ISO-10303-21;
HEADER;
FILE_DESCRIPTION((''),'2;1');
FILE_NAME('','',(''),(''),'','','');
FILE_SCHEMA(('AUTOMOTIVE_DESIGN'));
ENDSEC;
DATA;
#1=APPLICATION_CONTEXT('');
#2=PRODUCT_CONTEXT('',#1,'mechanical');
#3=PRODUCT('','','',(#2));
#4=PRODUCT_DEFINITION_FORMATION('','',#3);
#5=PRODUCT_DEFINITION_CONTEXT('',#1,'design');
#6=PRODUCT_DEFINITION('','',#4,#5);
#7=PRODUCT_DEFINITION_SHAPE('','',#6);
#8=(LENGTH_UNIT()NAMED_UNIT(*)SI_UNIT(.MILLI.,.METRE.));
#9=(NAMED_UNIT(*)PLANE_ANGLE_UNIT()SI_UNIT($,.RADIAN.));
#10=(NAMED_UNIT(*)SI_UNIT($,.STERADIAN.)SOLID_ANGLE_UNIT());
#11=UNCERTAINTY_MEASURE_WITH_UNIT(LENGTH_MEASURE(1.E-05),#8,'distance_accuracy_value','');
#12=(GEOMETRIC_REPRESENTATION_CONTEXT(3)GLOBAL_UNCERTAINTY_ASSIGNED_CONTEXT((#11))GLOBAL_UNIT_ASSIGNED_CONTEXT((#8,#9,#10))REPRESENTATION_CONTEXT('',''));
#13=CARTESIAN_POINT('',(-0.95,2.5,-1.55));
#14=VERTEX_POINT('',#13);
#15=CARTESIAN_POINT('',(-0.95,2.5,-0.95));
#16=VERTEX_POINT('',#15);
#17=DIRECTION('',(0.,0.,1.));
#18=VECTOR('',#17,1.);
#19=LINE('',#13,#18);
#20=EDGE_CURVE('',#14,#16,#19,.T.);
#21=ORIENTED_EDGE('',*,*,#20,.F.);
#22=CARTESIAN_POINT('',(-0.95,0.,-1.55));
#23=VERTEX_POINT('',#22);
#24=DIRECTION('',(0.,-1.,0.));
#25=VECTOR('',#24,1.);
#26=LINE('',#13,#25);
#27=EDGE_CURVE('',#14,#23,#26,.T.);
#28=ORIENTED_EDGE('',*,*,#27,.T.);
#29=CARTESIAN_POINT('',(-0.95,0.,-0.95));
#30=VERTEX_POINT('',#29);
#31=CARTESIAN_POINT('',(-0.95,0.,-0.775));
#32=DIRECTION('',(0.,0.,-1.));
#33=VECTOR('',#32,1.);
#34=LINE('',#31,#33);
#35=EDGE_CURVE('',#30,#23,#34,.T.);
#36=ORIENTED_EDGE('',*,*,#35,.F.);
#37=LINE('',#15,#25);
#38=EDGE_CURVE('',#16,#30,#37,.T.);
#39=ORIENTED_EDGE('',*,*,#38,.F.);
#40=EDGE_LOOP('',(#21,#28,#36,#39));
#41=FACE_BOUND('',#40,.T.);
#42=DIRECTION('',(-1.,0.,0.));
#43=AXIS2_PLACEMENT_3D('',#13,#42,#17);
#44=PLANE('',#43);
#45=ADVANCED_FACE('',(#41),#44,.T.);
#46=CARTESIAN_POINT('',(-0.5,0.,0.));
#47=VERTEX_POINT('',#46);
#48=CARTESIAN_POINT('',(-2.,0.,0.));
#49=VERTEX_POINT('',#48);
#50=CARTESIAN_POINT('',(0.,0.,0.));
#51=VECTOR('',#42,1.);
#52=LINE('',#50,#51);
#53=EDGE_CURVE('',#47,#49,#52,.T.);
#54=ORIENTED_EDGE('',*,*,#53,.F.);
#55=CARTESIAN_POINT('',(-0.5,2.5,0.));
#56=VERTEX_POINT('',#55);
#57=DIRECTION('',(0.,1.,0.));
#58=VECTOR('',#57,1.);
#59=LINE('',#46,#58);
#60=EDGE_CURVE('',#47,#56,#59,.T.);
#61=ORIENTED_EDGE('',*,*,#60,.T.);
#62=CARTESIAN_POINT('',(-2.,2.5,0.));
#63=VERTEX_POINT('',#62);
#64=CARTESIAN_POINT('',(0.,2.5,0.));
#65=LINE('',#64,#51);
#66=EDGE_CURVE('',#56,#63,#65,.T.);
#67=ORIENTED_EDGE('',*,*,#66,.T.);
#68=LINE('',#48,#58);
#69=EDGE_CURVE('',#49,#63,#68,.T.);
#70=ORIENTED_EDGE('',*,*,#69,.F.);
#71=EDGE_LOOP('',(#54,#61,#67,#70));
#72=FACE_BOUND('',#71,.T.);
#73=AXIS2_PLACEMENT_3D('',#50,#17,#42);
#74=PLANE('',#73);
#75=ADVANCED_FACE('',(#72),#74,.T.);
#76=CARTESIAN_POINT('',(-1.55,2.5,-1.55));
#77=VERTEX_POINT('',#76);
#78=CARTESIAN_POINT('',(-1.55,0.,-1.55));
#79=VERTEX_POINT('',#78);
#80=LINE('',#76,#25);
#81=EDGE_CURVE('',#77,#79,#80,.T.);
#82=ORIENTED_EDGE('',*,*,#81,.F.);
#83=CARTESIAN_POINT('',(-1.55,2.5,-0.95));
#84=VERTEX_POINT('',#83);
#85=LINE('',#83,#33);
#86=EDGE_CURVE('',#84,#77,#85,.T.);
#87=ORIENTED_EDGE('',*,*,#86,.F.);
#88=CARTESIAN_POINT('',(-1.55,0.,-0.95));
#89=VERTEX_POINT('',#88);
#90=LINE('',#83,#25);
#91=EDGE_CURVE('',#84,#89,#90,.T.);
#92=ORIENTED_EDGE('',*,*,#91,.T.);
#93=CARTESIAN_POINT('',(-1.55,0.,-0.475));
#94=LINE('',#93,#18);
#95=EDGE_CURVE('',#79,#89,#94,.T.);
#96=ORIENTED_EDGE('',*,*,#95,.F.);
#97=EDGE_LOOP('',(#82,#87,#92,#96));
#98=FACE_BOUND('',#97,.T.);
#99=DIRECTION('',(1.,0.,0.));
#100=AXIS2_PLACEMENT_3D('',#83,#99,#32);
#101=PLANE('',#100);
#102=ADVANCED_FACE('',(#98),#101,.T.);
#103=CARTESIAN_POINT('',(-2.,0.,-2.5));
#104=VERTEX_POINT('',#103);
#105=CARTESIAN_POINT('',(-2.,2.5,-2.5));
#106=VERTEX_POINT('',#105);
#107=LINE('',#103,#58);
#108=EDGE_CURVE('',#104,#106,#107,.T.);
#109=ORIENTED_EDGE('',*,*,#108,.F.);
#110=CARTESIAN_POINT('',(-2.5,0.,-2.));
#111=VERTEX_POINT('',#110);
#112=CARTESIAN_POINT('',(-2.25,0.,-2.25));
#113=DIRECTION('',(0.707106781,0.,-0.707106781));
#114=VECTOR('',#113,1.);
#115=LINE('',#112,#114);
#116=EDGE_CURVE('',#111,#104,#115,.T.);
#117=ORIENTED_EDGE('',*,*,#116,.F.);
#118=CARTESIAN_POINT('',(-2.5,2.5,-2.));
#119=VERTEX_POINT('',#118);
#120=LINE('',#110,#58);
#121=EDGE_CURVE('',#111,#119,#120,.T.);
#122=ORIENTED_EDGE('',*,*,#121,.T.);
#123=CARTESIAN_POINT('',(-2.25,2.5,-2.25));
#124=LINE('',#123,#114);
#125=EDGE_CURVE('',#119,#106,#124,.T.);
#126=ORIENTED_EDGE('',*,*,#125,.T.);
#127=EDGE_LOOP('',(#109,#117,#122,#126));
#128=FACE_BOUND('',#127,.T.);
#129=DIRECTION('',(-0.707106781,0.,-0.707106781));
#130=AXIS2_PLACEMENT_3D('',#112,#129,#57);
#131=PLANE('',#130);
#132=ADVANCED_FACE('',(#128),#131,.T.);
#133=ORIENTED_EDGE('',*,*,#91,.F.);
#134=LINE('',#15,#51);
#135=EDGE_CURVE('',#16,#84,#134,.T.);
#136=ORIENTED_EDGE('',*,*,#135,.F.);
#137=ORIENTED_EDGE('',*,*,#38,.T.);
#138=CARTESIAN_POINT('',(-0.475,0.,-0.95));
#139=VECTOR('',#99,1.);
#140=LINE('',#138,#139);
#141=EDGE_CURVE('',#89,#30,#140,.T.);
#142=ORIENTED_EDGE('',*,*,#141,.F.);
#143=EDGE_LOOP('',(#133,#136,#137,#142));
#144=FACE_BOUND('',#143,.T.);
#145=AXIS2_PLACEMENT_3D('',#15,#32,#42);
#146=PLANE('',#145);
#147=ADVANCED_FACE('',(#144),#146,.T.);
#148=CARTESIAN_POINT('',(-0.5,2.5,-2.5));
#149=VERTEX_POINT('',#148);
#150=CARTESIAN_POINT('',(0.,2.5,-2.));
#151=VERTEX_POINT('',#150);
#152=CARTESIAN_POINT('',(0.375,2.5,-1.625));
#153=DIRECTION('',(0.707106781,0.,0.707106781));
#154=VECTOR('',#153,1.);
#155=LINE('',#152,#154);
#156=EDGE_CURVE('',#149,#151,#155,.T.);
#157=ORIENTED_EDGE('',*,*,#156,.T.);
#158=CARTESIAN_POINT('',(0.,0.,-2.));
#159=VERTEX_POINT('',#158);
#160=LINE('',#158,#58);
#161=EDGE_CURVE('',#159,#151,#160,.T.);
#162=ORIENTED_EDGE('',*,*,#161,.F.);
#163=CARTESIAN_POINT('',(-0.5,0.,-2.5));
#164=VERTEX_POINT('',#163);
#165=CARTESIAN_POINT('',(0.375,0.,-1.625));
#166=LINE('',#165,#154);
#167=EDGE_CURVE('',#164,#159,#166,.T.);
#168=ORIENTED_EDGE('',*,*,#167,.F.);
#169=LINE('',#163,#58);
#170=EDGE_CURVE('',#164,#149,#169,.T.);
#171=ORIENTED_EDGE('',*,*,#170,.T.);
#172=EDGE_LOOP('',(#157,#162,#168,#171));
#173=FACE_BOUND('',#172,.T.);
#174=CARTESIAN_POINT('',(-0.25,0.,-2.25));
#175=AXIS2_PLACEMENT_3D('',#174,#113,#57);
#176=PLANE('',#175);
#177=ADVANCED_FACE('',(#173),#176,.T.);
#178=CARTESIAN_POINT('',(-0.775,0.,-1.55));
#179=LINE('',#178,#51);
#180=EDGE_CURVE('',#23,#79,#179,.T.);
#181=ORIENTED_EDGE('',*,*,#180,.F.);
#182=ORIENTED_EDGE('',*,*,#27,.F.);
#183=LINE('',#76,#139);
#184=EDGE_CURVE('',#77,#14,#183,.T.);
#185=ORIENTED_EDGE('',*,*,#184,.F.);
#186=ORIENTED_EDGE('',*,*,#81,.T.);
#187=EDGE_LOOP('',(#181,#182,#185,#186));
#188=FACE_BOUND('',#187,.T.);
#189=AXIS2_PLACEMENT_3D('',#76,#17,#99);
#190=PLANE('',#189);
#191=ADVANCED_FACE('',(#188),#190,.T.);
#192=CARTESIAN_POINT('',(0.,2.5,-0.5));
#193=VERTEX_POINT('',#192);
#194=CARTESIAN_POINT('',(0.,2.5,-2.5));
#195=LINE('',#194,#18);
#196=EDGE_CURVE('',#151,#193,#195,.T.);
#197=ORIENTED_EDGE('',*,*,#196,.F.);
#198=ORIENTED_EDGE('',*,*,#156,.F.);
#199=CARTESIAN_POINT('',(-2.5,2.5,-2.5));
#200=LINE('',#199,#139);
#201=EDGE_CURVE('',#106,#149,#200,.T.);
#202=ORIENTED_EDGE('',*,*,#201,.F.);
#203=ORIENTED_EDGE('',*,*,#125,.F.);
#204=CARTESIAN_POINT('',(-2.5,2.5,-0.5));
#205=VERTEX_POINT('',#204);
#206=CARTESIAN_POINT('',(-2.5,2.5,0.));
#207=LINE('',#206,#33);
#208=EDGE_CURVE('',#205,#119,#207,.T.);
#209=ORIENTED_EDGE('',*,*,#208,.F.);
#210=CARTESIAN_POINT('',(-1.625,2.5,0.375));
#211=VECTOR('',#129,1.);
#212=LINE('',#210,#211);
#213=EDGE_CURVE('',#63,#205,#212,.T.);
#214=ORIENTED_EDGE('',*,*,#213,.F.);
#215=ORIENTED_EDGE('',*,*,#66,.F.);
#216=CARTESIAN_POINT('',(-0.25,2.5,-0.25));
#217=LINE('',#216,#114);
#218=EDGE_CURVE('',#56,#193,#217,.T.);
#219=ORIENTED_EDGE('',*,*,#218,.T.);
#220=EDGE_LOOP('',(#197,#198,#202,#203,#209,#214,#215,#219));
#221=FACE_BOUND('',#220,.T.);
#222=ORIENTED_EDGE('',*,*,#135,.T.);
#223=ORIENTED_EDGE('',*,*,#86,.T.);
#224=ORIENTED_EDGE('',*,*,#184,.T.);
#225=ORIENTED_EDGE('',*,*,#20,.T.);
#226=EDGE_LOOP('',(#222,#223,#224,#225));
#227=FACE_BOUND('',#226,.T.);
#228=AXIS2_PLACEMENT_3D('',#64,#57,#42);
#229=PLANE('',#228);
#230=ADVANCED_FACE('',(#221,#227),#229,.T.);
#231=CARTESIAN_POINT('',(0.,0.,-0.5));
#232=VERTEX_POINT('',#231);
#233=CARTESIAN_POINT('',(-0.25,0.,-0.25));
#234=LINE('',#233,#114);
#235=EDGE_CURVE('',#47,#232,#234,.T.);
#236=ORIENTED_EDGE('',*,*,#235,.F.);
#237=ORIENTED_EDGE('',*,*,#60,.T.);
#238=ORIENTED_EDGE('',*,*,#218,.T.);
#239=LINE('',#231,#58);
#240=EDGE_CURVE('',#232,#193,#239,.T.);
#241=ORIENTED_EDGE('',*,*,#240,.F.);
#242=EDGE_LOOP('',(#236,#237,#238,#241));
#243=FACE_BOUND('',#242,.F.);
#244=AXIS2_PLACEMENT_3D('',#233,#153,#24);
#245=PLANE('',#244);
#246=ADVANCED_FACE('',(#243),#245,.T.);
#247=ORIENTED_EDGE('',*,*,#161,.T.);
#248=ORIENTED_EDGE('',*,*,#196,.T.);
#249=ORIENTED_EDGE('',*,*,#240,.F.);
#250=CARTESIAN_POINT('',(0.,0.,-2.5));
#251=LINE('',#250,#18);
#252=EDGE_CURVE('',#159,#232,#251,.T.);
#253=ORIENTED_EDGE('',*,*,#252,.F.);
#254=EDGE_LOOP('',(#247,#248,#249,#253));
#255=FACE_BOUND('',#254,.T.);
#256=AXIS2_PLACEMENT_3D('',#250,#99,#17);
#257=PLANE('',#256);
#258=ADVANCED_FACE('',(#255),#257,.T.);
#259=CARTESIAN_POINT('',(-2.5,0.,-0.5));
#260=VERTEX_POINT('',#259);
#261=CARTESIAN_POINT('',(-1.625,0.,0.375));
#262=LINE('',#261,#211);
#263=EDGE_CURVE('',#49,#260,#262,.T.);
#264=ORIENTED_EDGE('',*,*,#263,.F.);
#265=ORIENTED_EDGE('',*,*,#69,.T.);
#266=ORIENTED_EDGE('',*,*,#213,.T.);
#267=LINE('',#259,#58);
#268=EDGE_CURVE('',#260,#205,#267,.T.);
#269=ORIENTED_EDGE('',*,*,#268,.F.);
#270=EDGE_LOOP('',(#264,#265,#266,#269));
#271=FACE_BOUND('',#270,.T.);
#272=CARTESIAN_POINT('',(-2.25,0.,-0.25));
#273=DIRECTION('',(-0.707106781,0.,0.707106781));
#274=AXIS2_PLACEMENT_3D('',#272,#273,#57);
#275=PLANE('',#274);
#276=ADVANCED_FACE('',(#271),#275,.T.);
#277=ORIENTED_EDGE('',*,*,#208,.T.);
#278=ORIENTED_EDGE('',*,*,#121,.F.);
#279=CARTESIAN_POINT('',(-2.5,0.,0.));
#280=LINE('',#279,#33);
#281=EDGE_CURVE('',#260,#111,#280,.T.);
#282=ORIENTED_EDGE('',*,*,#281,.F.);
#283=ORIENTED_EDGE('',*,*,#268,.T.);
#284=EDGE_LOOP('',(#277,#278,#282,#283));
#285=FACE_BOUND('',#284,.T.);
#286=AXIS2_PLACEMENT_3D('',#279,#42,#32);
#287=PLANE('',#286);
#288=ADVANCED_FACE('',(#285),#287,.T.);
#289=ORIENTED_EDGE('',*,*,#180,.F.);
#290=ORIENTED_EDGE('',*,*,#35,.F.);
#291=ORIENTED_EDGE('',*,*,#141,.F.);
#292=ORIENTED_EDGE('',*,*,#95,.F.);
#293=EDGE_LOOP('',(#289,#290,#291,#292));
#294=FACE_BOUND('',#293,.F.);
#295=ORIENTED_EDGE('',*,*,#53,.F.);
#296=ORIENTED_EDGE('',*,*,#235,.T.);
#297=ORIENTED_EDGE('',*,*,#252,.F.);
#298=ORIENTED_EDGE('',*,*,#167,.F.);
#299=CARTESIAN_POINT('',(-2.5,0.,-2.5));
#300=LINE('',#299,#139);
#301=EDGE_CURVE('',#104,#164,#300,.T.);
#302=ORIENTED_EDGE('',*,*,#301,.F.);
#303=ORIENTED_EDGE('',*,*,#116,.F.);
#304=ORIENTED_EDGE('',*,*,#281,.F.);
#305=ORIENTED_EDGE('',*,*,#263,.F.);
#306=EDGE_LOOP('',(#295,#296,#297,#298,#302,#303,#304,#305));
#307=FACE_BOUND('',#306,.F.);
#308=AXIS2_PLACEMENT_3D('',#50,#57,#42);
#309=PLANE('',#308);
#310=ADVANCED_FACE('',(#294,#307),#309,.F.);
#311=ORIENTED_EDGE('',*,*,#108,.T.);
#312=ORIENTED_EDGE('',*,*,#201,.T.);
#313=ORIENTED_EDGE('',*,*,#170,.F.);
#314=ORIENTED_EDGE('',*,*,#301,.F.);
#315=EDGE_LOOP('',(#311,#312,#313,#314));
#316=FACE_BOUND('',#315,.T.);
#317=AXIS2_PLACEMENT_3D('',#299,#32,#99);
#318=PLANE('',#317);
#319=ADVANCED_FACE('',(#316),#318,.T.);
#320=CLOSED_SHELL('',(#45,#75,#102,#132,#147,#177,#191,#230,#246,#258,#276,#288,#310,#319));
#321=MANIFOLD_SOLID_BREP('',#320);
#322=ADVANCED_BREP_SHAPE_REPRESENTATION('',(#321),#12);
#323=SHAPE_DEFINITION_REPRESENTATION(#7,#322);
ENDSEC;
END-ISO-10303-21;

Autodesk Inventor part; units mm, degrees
ref_plane "YZ Plane" through (0, 0, 0) normal (1, 0, 0) x (0, 1, 0)
ref_plane "XZ Plane" through (0, 0, 0) normal (0, 1, 0) x (-1, 0, 0)
ref_plane "XY Plane" through (0, 0, 0) normal (0, 0, 1) x (1, 0, 0)
sketch "Sketch1" plane through (0, 0, 0) normal (0, 1, 0) x (-1, 0, 0)
  line L0 (0, 0) -> (2.5, 0)
  line L1 (2.5, 0) -> (2.5, -2.5)
  line L2 (2.5, -2.5) -> (0, -2.5)
  line L3 (0, -2.5) -> (0, 0)
  dimension "d0" = 2.5
extrude "Extrusion1" add sketch "Sketch1" along normal blind 2.5
chamfer "Chamfer1" distance 0.5 angle 45 4 edges at (0, 1.25, 0) (-2.5, 1.25, 0) (0, 1.25, -2.5) (-2.5, 1.25, -2.5)
sketch "Sketch2" plane through (0, 2.5, 0) normal (0, 1, 0) x (1, 0, 0)
  line L0 (-0.5, 0) -> (-2, 0) projected
  line L1 (-1.25, 0) -> (-1.25, 2.5) construction
  line L2 (-2, 2.5) -> (-0.5, 2.5) projected
  line L3 (-2.5, 0.5) -> (-2.5, 2) projected
  line L4 (-2.5, 1.25) -> (0, 1.25) construction
  line L5 (0, 0.5) -> (0, 2) projected
  line L6 (-0.95, 0.95) -> (-1.55, 0.95)
  line L7 (-1.55, 0.95) -> (-1.55, 1.55)
  line L8 (-1.55, 1.55) -> (-0.95, 1.55)
  line L9 (-0.95, 1.55) -> (-0.95, 0.95)
  line L10 (-0.95, 0.95) -> (-1.55, 1.55) construction
  line L11 (-1.55, 0.95) -> (-0.95, 1.55) construction
  point P0 (0, 0)
  point P1 (-1.25, 1.25)
  dimension "d6" = 0.6
extrude "Extrusion2" cut sketch "Sketch2" against normal up to next
properties part number "Pin Shroud"
